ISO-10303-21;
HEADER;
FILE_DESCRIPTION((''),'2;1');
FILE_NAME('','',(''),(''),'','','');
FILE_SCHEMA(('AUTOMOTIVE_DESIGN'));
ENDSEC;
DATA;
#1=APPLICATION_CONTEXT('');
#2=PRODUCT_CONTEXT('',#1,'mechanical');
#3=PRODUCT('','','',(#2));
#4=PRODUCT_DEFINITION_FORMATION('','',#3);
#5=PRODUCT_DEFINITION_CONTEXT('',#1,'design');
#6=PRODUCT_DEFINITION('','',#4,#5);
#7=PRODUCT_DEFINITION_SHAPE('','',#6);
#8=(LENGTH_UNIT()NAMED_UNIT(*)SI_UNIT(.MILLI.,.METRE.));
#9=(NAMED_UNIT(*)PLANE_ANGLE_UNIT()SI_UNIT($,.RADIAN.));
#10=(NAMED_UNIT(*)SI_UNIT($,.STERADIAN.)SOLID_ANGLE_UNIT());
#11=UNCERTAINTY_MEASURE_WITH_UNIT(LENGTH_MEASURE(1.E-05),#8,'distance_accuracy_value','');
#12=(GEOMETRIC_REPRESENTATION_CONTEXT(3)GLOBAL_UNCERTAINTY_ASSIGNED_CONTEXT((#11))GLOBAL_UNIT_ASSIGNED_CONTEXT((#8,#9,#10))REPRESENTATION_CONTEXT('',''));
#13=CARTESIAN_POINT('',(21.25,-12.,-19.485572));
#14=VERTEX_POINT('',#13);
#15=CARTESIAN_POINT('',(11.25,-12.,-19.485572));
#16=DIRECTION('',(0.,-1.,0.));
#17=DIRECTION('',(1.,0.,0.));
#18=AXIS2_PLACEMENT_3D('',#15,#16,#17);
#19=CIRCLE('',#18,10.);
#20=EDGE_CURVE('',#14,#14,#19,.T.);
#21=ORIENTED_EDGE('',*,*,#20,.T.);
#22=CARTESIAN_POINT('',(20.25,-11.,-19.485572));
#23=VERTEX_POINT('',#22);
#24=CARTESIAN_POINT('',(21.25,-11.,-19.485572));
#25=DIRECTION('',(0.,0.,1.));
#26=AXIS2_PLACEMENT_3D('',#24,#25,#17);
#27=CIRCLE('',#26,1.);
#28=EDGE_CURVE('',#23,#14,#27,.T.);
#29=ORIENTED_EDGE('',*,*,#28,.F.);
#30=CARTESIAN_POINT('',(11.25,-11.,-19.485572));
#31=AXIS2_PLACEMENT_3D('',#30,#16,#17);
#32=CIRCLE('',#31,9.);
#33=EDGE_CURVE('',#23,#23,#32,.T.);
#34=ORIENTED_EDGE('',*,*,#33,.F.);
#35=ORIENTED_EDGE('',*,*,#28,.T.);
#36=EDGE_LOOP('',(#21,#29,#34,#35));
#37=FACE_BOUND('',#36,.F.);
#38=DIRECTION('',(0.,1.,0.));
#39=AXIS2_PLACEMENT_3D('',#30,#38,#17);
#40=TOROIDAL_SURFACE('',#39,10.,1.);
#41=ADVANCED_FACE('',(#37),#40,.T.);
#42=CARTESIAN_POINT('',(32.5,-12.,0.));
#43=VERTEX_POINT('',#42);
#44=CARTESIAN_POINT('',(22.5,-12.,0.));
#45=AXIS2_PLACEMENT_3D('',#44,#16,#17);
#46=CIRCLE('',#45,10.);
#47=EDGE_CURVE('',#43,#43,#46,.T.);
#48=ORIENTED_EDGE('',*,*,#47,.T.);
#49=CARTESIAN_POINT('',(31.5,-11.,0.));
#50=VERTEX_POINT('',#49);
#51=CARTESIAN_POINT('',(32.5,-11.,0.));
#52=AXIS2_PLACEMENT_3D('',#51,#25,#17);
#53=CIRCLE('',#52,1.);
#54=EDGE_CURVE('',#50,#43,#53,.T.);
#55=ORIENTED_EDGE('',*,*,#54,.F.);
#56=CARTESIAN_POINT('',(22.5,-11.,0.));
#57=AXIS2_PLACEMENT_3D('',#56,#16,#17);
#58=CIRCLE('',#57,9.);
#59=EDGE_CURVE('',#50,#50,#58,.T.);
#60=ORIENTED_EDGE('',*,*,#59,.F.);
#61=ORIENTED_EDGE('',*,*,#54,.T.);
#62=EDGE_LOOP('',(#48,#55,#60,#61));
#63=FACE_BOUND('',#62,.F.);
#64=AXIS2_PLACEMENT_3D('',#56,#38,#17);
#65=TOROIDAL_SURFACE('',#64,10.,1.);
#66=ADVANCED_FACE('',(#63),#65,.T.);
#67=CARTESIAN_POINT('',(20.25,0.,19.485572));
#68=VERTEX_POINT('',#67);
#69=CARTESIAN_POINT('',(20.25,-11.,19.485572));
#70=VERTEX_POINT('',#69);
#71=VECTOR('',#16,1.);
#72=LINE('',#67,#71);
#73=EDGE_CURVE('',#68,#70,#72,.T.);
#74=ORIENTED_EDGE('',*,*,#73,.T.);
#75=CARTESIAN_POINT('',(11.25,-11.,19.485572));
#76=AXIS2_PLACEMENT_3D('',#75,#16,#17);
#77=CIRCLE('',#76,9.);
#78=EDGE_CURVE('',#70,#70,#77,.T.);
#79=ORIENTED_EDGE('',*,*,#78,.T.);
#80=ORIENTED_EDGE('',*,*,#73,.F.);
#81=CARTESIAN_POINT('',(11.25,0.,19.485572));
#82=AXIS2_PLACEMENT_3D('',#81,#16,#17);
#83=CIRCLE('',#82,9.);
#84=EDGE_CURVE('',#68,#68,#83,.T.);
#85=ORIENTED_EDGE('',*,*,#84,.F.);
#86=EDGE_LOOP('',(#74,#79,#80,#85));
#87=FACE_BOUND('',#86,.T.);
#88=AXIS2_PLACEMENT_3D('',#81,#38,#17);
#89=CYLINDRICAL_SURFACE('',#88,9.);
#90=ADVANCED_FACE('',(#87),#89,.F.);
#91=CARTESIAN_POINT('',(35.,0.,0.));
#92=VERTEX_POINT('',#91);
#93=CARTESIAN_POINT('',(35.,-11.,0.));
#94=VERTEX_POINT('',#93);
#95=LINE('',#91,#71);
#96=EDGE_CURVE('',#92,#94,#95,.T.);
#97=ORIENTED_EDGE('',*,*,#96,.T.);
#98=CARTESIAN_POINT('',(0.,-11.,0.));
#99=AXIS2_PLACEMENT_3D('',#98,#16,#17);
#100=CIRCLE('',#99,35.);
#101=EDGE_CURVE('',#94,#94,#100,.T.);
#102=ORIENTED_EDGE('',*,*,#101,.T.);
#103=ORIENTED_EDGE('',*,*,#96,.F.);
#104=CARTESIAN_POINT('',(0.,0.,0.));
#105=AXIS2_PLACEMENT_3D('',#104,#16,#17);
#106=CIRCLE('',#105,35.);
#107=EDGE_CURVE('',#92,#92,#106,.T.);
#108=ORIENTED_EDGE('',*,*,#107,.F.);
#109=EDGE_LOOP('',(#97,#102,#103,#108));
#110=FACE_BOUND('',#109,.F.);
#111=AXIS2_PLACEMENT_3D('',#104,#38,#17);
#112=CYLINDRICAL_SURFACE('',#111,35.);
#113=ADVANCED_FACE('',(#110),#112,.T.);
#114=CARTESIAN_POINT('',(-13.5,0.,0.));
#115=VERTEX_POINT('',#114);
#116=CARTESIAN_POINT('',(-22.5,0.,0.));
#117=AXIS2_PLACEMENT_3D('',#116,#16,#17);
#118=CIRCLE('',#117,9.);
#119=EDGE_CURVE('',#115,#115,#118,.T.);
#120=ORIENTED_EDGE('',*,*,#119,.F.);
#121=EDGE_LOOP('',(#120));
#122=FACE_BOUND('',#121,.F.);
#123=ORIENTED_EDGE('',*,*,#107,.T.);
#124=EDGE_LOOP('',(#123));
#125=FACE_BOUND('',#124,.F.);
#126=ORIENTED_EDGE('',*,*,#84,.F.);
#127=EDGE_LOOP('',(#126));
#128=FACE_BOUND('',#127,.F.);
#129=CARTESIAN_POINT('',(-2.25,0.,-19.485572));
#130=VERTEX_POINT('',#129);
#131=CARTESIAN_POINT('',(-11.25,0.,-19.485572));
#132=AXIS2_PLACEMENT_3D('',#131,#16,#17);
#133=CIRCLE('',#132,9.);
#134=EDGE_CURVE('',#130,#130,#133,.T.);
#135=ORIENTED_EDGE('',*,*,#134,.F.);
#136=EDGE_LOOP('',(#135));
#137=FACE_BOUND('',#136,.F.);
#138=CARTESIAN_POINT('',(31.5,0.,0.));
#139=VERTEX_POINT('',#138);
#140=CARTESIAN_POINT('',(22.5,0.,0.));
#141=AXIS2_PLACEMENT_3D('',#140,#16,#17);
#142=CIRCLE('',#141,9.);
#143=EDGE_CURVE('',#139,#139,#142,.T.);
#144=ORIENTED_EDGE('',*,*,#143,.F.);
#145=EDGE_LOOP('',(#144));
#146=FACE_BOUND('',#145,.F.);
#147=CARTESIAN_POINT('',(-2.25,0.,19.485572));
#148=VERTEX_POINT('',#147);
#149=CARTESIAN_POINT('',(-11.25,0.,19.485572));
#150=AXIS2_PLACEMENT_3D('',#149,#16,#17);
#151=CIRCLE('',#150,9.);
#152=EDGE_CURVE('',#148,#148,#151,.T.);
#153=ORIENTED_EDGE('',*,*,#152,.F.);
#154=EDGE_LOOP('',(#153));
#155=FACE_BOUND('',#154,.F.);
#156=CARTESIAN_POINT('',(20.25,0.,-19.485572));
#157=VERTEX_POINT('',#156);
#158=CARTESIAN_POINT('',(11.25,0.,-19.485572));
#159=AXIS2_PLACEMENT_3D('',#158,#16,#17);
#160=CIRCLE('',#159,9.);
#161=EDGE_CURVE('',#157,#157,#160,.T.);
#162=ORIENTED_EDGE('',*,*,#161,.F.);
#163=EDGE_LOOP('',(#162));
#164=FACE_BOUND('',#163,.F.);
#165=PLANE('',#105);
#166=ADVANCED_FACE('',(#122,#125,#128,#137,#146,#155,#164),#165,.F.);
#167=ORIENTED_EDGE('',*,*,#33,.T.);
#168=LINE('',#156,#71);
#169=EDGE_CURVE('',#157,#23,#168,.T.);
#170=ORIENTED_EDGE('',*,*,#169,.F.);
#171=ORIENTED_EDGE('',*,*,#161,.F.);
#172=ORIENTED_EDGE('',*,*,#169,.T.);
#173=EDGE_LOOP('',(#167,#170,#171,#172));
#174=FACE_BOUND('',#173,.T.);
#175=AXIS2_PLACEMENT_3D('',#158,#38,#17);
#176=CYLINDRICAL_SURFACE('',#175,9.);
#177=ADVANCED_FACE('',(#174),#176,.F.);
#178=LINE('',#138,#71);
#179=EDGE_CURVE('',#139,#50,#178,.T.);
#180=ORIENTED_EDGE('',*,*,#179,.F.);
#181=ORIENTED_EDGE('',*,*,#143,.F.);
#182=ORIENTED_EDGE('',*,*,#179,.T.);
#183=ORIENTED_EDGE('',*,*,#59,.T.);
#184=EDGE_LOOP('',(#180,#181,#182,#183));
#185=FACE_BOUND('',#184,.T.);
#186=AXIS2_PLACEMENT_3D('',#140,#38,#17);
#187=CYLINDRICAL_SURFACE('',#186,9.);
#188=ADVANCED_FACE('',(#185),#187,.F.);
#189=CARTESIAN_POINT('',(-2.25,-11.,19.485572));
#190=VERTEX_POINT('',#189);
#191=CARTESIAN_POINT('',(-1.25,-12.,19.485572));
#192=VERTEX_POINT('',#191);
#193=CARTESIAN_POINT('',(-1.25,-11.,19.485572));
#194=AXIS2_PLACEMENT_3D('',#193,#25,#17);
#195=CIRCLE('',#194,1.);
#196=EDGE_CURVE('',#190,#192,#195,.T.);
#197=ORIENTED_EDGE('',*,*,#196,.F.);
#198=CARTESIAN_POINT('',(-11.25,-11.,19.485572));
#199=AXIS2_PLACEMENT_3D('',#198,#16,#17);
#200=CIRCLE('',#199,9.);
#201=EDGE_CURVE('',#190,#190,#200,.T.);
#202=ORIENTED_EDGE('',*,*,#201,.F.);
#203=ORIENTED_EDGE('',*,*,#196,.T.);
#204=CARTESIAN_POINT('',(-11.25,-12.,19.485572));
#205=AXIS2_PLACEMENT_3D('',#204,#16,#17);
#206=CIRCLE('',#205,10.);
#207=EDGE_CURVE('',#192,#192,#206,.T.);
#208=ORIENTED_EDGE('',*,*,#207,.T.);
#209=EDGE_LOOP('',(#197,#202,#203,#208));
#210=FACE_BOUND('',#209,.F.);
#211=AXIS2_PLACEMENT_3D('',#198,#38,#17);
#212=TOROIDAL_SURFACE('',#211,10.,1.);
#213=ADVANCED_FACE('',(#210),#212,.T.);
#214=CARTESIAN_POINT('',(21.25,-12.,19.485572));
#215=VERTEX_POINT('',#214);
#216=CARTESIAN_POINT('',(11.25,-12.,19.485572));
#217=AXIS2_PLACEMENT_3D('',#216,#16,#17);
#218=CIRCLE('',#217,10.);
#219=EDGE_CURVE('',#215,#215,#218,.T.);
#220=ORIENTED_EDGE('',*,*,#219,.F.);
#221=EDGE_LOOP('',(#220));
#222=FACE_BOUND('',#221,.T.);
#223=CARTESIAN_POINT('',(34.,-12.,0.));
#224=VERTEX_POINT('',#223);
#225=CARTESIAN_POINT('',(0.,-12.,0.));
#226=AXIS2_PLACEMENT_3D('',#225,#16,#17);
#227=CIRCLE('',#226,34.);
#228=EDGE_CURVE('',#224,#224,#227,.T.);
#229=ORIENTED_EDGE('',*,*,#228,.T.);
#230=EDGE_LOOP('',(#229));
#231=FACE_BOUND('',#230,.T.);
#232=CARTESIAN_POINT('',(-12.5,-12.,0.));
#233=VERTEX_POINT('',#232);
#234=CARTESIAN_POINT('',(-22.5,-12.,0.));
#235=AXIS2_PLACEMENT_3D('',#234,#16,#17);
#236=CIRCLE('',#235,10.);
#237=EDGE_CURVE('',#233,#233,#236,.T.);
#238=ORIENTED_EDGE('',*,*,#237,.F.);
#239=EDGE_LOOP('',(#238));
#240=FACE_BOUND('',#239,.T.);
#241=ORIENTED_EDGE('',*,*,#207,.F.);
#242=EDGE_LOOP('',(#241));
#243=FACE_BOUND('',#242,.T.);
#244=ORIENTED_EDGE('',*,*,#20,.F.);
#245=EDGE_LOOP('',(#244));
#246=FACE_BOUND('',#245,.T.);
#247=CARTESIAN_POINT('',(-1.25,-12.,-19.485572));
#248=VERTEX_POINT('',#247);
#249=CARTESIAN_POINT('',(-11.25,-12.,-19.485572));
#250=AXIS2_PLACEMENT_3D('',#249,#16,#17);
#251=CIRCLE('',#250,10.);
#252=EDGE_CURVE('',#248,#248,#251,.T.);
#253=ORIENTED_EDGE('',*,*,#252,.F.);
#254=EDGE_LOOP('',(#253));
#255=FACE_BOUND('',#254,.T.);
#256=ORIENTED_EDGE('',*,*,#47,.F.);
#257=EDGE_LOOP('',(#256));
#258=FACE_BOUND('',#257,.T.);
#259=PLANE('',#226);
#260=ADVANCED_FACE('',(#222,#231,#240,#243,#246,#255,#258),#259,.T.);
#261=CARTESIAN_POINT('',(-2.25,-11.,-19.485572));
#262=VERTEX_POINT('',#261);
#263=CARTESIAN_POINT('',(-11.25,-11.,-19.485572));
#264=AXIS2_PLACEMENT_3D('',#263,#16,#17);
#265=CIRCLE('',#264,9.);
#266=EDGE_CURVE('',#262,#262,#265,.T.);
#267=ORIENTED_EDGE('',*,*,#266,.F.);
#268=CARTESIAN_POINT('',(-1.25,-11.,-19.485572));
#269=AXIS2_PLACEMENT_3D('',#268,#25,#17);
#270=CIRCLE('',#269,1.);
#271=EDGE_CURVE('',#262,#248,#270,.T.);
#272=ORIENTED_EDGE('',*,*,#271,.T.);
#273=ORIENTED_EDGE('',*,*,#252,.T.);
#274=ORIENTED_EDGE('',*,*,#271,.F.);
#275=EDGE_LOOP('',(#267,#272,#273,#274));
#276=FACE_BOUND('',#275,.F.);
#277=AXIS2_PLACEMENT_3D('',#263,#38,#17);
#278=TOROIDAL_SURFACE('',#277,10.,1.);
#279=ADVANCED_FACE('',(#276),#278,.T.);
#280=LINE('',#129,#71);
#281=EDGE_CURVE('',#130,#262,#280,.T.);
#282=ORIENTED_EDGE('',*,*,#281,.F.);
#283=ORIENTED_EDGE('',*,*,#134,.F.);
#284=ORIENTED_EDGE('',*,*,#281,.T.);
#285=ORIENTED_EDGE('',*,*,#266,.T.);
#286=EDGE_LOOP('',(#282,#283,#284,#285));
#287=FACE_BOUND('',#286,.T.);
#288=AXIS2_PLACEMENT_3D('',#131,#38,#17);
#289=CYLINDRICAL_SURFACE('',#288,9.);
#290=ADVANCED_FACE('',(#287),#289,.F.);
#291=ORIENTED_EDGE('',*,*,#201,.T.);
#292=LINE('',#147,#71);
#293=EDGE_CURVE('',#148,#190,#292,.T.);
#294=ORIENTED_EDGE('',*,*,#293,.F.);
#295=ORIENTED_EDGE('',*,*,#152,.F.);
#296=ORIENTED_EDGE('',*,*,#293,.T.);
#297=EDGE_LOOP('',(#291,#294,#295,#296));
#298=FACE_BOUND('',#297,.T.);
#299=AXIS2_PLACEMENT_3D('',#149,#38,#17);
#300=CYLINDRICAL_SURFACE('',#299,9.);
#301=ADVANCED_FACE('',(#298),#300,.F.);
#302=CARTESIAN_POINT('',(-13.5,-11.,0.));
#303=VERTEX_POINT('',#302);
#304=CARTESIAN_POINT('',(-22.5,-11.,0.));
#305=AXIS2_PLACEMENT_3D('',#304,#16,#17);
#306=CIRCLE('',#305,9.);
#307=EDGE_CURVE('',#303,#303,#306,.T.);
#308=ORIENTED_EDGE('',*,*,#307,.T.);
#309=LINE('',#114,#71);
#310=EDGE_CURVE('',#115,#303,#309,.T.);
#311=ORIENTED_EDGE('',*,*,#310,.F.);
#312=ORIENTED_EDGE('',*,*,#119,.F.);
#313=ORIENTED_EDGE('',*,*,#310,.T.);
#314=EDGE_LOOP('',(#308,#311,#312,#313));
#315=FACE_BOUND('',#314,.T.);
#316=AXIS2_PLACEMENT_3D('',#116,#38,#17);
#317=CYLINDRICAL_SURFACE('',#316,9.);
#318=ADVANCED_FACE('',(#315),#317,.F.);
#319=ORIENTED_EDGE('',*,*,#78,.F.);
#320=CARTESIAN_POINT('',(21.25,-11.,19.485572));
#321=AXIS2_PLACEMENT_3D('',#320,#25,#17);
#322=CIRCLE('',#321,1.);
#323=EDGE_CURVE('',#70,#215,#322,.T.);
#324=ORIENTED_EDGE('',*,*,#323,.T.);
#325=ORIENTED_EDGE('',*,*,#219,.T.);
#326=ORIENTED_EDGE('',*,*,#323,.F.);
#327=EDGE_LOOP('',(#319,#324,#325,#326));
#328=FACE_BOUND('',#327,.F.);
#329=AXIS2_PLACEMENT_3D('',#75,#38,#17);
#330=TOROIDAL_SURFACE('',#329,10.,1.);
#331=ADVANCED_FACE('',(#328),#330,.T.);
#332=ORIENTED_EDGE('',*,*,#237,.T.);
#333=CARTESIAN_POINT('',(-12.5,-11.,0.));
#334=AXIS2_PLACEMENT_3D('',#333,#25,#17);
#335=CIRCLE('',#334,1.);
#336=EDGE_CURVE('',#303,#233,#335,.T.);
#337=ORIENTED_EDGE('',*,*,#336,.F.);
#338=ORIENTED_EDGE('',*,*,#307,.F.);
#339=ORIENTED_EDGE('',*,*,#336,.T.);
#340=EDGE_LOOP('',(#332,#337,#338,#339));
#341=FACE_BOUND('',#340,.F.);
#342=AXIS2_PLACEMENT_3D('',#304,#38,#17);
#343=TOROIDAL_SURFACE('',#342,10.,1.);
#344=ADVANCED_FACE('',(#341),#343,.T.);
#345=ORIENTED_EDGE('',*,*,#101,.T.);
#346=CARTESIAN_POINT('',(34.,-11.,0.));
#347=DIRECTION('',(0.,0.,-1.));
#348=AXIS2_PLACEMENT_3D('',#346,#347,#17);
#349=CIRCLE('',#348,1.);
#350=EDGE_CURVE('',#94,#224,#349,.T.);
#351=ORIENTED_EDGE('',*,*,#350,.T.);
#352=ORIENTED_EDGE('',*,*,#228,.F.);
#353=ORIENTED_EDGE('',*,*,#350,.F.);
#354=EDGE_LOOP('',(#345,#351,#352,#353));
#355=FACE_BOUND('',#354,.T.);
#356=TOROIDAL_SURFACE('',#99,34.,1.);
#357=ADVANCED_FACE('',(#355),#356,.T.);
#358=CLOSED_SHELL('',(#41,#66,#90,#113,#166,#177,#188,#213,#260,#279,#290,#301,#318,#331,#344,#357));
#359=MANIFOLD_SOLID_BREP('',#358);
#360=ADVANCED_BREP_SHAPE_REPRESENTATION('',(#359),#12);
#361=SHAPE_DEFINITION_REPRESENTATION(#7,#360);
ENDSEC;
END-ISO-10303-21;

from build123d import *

# Parameters (mm, degrees)
F0_R     = 35
F0_R_2   = 9
F1_DEPTH = 12
F2_R     = 1


with BuildPart() as f1:
    # F0 (on Front) → F1 (new body)
    with BuildSketch(Plane.XZ):
        Circle(F0_R)
        with Locations((-11.25, -19.485572)):
            Circle(F0_R_2, mode=Mode.SUBTRACT)
        with Locations((11.25, -19.485572)):
            Circle(F0_R_2, mode=Mode.SUBTRACT)
        with Locations((-22.5, 0)):
            Circle(F0_R_2, mode=Mode.SUBTRACT)
        with Locations((-11.25, 19.485572)):
            Circle(F0_R_2, mode=Mode.SUBTRACT)
        with Locations((22.5, 0)):
            Circle(F0_R_2, mode=Mode.SUBTRACT)
        with Locations((11.25, 19.485572)):
            Circle(F0_R_2, mode=Mode.SUBTRACT)
    extrude(amount=F1_DEPTH)

    # F2
    f2_edges = [f1.edges().sort_by_distance(p)[0] for p in [
        (-35, -12, 0),
        (13.5, -12, 0),
        (2.25, -12, 19.485572),
        (-20.25, -12, 19.485572),
        (-31.5, -12, 0),
        (-20.25, -12, -19.485572),
        (2.25, -12, -19.485572),
    ]]
    fillet(f2_edges, radius=F2_R)


solid = f1.part
